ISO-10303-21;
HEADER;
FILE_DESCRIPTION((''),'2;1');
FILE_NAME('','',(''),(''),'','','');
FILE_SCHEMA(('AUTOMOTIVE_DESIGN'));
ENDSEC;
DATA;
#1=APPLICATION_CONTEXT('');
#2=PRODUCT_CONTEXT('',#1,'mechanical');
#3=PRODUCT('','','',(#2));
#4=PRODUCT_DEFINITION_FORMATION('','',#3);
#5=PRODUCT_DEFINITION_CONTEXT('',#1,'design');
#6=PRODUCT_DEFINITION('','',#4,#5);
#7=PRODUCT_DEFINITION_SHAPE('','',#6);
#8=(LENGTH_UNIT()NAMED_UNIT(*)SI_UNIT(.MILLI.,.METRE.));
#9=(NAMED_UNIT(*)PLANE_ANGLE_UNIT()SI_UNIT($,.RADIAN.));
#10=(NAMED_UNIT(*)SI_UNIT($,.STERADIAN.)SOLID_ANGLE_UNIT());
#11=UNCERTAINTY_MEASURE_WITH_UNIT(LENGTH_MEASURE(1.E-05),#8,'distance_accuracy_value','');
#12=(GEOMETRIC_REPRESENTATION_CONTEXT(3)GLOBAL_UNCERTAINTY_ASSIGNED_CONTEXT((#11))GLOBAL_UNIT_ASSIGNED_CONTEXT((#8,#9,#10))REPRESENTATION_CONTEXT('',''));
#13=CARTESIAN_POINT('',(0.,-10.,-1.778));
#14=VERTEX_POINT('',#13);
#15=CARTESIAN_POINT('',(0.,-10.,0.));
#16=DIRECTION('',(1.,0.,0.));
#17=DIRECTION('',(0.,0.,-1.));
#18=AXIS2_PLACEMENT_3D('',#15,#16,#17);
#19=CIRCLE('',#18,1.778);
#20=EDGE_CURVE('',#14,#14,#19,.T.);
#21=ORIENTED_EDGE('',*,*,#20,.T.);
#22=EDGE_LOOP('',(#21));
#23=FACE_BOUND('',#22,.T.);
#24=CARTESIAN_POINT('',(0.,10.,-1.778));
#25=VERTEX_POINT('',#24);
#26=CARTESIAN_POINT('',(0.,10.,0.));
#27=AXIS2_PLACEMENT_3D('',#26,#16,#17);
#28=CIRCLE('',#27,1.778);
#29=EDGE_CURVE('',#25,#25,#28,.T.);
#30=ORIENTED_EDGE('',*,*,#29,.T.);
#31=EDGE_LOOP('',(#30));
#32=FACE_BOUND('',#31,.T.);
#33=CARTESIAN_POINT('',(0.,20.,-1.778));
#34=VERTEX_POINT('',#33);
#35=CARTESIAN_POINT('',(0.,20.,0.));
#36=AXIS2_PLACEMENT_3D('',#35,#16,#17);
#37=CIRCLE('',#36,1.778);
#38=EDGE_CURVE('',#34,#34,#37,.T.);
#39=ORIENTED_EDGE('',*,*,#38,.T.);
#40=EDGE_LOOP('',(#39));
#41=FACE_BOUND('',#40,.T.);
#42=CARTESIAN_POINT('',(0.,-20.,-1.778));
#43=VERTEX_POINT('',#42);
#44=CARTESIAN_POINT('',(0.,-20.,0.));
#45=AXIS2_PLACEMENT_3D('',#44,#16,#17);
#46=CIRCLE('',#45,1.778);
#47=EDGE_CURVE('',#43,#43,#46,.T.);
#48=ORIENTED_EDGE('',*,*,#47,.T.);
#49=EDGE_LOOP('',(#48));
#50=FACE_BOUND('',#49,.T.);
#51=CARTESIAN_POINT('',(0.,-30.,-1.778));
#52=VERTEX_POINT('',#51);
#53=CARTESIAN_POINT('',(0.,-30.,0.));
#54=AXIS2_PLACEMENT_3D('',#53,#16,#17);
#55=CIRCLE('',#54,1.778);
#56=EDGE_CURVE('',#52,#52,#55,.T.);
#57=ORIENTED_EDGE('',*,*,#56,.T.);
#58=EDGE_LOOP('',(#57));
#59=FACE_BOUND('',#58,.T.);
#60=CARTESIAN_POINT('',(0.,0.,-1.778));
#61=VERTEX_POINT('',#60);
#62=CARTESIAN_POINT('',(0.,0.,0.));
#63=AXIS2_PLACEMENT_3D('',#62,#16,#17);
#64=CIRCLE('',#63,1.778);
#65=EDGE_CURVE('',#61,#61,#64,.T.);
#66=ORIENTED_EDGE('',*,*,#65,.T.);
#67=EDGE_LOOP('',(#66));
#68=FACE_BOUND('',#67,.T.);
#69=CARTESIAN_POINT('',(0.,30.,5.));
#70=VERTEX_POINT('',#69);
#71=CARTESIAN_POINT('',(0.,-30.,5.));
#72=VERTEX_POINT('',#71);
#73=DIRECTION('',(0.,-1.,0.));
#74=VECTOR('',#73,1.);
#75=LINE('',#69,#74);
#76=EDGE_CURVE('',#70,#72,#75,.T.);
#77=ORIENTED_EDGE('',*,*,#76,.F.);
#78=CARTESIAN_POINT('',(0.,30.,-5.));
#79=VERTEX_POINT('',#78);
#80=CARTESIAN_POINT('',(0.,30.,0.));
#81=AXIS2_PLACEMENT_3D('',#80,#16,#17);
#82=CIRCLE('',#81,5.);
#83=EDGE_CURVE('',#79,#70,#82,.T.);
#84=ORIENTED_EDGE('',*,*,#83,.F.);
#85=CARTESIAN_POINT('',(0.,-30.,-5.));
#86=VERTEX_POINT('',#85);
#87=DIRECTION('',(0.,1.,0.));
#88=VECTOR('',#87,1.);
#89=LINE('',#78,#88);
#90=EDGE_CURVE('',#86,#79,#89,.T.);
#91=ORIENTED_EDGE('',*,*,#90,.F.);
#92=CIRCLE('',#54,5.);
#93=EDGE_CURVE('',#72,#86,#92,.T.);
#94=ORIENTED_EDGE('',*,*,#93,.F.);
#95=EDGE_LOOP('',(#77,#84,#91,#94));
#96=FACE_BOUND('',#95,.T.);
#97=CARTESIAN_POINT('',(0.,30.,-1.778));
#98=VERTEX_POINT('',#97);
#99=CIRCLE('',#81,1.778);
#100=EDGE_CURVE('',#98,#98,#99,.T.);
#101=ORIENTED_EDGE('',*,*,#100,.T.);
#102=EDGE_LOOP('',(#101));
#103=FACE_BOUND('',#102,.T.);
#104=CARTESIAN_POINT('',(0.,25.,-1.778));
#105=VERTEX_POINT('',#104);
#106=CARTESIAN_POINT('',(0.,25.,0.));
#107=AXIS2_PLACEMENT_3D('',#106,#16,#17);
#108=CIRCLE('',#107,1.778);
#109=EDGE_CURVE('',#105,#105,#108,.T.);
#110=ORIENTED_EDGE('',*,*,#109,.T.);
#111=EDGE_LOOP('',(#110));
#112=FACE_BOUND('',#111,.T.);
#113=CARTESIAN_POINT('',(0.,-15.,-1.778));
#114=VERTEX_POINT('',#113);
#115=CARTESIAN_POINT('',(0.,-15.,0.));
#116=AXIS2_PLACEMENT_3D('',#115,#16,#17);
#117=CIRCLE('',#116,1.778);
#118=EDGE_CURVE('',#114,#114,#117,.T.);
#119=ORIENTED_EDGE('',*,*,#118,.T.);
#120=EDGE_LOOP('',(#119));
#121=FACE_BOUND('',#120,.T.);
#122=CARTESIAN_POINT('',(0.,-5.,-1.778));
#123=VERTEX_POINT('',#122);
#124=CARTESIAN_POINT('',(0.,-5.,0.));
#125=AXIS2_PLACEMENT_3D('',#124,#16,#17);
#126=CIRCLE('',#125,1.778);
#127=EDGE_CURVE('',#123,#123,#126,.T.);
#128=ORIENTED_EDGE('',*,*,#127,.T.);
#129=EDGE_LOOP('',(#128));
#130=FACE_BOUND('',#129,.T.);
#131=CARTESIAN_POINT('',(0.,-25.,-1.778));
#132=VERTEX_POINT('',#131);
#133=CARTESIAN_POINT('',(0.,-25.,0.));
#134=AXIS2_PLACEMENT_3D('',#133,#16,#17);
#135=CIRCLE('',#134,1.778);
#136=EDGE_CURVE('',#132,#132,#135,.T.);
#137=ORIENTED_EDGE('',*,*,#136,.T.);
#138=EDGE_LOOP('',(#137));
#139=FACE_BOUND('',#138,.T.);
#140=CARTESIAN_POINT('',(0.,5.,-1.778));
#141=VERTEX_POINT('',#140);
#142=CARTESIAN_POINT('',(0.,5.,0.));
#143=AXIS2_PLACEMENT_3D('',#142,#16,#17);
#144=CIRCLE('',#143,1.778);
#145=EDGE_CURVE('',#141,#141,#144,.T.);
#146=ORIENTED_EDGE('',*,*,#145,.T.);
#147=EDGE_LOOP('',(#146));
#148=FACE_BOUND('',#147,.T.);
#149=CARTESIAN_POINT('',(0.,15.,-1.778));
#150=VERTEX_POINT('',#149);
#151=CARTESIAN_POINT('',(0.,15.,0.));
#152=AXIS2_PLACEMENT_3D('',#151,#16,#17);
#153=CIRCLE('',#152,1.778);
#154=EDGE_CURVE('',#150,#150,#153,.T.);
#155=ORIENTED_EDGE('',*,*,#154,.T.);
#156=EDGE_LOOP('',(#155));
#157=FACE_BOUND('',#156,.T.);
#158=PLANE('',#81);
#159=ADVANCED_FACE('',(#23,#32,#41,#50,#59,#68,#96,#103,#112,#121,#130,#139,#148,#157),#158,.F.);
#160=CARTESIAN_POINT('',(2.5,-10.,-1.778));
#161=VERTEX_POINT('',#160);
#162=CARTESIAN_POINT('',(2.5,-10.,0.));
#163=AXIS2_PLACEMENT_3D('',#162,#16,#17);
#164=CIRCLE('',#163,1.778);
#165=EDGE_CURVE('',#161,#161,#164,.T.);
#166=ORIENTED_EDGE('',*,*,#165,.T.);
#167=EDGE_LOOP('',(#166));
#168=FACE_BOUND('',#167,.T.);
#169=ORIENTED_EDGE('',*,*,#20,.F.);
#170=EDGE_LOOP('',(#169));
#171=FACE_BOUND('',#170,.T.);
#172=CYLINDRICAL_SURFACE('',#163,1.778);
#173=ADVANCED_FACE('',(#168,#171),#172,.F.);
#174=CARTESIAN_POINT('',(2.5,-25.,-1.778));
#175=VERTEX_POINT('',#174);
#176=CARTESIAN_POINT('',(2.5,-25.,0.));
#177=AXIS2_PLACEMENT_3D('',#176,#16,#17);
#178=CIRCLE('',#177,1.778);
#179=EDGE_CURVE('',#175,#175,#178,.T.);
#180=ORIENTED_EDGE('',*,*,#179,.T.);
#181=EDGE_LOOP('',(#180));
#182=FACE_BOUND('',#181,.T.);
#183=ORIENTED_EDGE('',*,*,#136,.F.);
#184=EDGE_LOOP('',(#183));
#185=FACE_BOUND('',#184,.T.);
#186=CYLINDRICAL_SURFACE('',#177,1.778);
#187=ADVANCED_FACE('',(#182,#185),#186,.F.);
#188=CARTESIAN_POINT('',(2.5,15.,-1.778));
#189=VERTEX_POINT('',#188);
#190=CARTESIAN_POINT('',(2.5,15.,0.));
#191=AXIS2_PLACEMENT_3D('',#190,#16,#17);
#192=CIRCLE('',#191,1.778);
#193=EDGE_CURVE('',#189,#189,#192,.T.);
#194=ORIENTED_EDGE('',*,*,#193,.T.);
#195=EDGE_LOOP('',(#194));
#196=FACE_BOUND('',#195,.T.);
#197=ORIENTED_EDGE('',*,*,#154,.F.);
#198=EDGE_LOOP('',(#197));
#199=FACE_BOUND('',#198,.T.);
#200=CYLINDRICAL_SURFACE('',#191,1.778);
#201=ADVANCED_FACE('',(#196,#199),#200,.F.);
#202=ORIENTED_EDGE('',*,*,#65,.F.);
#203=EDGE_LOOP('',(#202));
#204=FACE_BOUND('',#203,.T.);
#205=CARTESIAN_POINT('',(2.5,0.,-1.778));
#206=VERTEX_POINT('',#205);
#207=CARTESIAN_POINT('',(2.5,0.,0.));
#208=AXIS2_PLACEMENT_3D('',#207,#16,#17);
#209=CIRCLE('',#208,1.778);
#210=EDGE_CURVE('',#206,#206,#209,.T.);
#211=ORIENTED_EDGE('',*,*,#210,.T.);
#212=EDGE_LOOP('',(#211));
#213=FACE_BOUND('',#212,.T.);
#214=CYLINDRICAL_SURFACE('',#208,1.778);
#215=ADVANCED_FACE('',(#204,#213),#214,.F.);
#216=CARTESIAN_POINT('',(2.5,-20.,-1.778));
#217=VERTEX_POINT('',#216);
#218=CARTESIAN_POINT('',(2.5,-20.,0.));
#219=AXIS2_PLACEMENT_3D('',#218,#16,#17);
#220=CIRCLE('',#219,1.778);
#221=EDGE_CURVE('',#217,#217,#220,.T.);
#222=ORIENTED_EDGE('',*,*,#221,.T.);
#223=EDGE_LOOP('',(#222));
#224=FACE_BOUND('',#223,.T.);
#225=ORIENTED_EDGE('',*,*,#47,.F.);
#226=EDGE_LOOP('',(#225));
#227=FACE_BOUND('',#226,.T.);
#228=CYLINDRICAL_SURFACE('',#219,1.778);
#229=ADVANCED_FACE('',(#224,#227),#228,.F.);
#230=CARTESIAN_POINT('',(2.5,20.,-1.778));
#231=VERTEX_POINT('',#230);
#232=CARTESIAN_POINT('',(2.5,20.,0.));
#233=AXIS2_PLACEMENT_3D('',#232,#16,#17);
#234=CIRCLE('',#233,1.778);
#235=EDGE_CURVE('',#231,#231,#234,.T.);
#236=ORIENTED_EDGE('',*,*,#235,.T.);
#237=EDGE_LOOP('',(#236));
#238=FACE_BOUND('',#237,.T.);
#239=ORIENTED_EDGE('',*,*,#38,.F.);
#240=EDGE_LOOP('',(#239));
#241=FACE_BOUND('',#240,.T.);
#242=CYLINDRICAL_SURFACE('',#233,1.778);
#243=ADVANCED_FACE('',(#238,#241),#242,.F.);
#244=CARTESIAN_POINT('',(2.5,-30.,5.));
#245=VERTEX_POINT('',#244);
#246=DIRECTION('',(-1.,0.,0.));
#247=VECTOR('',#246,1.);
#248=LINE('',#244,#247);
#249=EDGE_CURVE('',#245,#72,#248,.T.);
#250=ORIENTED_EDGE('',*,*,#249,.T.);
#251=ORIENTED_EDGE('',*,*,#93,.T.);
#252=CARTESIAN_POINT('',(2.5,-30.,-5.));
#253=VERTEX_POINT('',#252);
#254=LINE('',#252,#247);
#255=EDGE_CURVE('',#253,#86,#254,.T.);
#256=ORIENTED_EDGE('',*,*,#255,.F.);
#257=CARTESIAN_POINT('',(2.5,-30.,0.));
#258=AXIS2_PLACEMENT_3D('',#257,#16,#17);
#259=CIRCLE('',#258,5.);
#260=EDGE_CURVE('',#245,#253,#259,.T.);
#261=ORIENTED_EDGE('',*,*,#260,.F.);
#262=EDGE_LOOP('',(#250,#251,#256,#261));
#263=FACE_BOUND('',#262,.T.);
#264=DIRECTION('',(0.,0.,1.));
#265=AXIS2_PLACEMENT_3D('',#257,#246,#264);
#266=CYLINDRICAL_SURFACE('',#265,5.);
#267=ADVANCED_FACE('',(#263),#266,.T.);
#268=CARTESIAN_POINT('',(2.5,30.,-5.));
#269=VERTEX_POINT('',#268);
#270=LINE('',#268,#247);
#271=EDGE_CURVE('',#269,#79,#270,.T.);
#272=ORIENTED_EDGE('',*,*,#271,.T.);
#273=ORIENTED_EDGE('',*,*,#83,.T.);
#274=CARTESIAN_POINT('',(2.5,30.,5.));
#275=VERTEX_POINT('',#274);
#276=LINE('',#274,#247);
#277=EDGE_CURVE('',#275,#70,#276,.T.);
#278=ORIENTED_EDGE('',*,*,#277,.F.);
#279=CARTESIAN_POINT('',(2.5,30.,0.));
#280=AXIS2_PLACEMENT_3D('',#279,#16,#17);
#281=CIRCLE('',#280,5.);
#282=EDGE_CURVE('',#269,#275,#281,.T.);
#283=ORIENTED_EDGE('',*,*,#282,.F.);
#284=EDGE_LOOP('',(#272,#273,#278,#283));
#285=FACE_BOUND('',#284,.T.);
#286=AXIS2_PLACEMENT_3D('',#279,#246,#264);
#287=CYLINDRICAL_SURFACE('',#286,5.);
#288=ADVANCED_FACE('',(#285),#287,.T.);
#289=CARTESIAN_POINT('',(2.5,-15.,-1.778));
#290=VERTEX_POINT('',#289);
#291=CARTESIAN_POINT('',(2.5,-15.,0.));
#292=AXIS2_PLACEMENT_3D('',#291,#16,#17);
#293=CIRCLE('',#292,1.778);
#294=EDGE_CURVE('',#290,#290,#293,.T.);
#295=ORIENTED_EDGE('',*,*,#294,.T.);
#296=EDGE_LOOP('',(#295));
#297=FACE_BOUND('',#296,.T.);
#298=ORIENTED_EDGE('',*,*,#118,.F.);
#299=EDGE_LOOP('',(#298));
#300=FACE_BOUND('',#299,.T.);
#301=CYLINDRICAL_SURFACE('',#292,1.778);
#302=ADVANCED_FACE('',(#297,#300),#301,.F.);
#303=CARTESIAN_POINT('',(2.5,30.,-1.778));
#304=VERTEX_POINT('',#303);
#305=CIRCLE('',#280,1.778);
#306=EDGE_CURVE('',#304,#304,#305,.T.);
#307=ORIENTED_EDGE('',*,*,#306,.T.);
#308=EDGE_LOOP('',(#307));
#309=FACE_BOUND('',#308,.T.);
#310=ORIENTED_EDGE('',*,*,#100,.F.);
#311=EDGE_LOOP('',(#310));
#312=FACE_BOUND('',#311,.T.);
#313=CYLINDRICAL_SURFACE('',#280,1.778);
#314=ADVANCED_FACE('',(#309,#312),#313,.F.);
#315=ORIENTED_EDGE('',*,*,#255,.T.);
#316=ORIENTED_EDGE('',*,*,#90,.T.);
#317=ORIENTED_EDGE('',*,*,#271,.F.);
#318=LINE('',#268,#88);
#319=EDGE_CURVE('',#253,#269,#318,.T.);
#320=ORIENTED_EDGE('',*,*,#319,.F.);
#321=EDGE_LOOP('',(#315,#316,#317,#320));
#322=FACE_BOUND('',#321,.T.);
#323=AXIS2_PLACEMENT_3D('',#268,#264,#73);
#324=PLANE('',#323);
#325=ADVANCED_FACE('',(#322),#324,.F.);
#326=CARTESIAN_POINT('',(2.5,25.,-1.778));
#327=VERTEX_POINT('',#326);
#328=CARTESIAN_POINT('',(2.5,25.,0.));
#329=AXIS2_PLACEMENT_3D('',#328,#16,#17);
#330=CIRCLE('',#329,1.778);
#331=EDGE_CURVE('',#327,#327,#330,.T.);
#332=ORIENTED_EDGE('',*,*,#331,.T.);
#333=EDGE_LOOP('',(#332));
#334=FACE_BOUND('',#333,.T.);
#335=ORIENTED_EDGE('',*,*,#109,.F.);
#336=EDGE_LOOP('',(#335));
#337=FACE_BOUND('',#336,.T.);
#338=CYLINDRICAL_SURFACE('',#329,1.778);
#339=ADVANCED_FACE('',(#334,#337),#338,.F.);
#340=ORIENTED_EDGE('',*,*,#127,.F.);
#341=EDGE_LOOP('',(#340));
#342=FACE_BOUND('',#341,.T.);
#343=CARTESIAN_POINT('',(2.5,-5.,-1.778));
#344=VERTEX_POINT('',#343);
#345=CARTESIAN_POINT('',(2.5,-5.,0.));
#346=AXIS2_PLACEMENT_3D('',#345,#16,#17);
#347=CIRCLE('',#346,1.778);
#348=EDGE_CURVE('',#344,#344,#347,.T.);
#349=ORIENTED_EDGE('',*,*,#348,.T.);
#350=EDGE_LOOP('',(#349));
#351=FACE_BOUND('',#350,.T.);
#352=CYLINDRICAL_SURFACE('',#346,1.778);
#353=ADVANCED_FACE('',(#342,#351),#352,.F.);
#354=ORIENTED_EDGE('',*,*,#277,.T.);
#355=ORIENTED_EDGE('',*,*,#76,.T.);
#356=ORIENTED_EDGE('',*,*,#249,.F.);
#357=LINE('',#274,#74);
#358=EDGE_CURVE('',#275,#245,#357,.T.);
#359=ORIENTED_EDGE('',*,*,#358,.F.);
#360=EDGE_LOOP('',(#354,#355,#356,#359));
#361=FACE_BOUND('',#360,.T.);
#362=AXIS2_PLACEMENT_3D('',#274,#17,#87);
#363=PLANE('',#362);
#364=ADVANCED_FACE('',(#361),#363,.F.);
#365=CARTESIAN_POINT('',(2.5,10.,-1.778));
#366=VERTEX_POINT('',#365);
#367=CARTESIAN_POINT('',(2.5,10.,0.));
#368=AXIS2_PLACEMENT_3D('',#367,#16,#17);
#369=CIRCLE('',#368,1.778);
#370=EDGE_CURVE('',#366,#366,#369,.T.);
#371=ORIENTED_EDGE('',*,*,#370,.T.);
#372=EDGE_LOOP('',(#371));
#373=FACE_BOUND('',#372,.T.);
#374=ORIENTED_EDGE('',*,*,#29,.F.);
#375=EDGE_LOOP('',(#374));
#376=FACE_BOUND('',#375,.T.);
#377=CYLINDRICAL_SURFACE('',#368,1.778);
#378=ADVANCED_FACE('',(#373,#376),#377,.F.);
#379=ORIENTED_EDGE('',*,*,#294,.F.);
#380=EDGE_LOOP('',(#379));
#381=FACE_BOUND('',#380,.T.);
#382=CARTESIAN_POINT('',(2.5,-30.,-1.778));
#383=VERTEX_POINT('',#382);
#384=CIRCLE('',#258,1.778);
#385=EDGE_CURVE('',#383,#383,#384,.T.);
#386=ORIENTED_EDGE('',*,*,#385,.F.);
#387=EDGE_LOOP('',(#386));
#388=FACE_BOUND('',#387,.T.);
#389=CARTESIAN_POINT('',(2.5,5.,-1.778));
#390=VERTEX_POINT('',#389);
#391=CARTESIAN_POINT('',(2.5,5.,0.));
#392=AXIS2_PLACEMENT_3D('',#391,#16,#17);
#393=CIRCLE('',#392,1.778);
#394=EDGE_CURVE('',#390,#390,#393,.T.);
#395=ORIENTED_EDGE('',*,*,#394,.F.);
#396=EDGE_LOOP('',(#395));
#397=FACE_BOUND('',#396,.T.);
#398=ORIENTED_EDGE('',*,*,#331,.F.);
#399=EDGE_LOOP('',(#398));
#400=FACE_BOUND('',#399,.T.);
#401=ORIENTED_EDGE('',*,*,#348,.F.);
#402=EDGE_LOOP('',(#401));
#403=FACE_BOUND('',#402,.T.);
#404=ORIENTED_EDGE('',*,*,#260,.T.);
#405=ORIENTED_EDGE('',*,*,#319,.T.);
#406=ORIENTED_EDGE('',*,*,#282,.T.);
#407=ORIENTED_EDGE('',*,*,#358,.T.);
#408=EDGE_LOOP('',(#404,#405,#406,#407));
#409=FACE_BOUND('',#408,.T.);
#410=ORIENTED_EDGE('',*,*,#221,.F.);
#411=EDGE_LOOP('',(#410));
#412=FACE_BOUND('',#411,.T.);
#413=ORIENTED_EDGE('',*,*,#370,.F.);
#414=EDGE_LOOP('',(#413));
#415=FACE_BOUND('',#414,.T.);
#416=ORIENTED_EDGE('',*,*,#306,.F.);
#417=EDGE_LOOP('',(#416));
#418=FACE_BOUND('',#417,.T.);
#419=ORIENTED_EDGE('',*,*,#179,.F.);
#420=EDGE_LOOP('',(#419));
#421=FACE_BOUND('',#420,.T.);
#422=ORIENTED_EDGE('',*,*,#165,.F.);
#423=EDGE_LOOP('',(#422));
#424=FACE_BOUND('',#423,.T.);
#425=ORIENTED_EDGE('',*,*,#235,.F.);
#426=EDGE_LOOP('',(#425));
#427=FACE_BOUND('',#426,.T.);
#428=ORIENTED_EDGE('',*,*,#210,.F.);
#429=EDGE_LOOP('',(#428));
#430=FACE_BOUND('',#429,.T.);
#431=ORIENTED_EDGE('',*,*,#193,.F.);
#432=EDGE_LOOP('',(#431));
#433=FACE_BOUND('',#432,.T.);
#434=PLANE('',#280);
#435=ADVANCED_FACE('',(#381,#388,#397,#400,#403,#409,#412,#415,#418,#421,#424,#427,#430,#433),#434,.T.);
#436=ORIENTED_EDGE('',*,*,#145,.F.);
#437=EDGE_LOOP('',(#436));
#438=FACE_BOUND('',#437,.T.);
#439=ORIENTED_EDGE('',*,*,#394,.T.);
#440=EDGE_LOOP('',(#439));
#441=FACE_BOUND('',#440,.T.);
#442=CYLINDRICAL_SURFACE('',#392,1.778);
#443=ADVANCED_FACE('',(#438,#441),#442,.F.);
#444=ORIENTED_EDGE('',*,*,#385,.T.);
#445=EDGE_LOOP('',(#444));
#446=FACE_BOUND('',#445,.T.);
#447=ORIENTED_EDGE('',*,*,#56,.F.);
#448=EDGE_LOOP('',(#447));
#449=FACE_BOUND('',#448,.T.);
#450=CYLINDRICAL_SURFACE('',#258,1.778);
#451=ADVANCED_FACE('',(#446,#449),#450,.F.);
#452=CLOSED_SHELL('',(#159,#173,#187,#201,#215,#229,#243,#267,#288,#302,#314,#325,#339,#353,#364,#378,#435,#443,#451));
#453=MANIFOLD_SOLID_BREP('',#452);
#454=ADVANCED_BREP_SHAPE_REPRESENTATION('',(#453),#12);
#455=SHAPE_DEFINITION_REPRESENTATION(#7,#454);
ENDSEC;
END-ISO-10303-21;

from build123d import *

# Parameters (mm, degrees)
BOSS_EXTRUDE1_DEPTH          = 2.5
F_5_32_0_14_DIAMETER_HOLE1_D = 3.556
LPATTERN1_COUNT              = 7
LPATTERN1_PITCH              = 5
MIRROR1_COPY_1_D             = 3.556
MIRROR1_COPY_2_D             = 3.556
MIRROR1_COPY_3_D             = 3.556
MIRROR1_COPY_4_D             = 3.556
MIRROR1_COPY_5_D             = 3.556
MIRROR1_COPY_6_D             = 3.556
MIRROR1_COPY_7_D             = 3.556


with BuildPart() as part:
    # Sketch1 → Boss-Extrude1 (new body)
    with BuildSketch(Plane(origin=(0, 0, 0), x_dir=(0, 0, -1), z_dir=(1, 0, 0))):
        with BuildLine():
            Line((5, 30), (5, -30))
            ThreePointArc((5, -30), (0, -35), (-5, -30))
            Line((-5, -30), (-5, 30))
            ThreePointArc((-5, 30), (0, 35), (5, 30))
        make_face()
    extrude(amount=BOSS_EXTRUDE1_DEPTH)

    # 5/32 (0.14) Diameter Hole1 (through all)
    with Locations(Plane(origin=(2.5, 0, 0), x_dir=(0, 0, -1), z_dir=(1, 0, 0))):
        with Locations((0, 0)):
            f_5_32_0_14_diameter_hole1 = Hole(F_5_32_0_14_DIAMETER_HOLE1_D / 2)

    # LPattern1: 5/32 (0.14) Diameter Hole1 ×7
    with Locations(*[(0, i * LPATTERN1_PITCH, 0) for i in range(1, LPATTERN1_COUNT)]):
        add(f_5_32_0_14_diameter_hole1, mode=Mode.SUBTRACT)

    # Mirror1 copy 1 (through all)
    with Locations(Plane(origin=(2.5, -5, 0), x_dir=(0, 0, -1), z_dir=(1, 0, 0))):
        with Locations((0, 0)):
            Hole(MIRROR1_COPY_1_D / 2)

    # Mirror1 copy 2 (through all)
    with Locations(Plane(origin=(2.5, -10, 0), x_dir=(0, 0, -1), z_dir=(1, 0, 0))):
        with Locations((0, 0)):
            Hole(MIRROR1_COPY_2_D / 2)

    # Mirror1 copy 3 (through all)
    with Locations(Plane(origin=(2.5, -15, 0), x_dir=(0, 0, -1), z_dir=(1, 0, 0))):
        with Locations((0, 0)):
            Hole(MIRROR1_COPY_3_D / 2)

    # Mirror1 copy 4 (through all)
    with Locations(Plane(origin=(2.5, -20, 0), x_dir=(0, 0, -1), z_dir=(1, 0, 0))):
        with Locations((0, 0)):
            Hole(MIRROR1_COPY_4_D / 2)

    # Mirror1 copy 5 (through all)
    with Locations(Plane(origin=(2.5, -25, 0), x_dir=(0, 0, -1), z_dir=(1, 0, 0))):
        with Locations((0, 0)):
            Hole(MIRROR1_COPY_5_D / 2)

    # Mirror1 copy 6 (through all)
    with Locations(Plane(origin=(2.5, -30, 0), x_dir=(0, 0, -1), z_dir=(1, 0, 0))):
        with Locations((0, 0)):
            Hole(MIRROR1_COPY_6_D / 2)

    # Mirror1 copy 7 (through all)
    with Locations(Plane(origin=(2.5, 0, 0), x_dir=(0, 0, -1), z_dir=(1, 0, 0))):
        with Locations((0, 0)):
            Hole(MIRROR1_COPY_7_D / 2)


solid = part.part
